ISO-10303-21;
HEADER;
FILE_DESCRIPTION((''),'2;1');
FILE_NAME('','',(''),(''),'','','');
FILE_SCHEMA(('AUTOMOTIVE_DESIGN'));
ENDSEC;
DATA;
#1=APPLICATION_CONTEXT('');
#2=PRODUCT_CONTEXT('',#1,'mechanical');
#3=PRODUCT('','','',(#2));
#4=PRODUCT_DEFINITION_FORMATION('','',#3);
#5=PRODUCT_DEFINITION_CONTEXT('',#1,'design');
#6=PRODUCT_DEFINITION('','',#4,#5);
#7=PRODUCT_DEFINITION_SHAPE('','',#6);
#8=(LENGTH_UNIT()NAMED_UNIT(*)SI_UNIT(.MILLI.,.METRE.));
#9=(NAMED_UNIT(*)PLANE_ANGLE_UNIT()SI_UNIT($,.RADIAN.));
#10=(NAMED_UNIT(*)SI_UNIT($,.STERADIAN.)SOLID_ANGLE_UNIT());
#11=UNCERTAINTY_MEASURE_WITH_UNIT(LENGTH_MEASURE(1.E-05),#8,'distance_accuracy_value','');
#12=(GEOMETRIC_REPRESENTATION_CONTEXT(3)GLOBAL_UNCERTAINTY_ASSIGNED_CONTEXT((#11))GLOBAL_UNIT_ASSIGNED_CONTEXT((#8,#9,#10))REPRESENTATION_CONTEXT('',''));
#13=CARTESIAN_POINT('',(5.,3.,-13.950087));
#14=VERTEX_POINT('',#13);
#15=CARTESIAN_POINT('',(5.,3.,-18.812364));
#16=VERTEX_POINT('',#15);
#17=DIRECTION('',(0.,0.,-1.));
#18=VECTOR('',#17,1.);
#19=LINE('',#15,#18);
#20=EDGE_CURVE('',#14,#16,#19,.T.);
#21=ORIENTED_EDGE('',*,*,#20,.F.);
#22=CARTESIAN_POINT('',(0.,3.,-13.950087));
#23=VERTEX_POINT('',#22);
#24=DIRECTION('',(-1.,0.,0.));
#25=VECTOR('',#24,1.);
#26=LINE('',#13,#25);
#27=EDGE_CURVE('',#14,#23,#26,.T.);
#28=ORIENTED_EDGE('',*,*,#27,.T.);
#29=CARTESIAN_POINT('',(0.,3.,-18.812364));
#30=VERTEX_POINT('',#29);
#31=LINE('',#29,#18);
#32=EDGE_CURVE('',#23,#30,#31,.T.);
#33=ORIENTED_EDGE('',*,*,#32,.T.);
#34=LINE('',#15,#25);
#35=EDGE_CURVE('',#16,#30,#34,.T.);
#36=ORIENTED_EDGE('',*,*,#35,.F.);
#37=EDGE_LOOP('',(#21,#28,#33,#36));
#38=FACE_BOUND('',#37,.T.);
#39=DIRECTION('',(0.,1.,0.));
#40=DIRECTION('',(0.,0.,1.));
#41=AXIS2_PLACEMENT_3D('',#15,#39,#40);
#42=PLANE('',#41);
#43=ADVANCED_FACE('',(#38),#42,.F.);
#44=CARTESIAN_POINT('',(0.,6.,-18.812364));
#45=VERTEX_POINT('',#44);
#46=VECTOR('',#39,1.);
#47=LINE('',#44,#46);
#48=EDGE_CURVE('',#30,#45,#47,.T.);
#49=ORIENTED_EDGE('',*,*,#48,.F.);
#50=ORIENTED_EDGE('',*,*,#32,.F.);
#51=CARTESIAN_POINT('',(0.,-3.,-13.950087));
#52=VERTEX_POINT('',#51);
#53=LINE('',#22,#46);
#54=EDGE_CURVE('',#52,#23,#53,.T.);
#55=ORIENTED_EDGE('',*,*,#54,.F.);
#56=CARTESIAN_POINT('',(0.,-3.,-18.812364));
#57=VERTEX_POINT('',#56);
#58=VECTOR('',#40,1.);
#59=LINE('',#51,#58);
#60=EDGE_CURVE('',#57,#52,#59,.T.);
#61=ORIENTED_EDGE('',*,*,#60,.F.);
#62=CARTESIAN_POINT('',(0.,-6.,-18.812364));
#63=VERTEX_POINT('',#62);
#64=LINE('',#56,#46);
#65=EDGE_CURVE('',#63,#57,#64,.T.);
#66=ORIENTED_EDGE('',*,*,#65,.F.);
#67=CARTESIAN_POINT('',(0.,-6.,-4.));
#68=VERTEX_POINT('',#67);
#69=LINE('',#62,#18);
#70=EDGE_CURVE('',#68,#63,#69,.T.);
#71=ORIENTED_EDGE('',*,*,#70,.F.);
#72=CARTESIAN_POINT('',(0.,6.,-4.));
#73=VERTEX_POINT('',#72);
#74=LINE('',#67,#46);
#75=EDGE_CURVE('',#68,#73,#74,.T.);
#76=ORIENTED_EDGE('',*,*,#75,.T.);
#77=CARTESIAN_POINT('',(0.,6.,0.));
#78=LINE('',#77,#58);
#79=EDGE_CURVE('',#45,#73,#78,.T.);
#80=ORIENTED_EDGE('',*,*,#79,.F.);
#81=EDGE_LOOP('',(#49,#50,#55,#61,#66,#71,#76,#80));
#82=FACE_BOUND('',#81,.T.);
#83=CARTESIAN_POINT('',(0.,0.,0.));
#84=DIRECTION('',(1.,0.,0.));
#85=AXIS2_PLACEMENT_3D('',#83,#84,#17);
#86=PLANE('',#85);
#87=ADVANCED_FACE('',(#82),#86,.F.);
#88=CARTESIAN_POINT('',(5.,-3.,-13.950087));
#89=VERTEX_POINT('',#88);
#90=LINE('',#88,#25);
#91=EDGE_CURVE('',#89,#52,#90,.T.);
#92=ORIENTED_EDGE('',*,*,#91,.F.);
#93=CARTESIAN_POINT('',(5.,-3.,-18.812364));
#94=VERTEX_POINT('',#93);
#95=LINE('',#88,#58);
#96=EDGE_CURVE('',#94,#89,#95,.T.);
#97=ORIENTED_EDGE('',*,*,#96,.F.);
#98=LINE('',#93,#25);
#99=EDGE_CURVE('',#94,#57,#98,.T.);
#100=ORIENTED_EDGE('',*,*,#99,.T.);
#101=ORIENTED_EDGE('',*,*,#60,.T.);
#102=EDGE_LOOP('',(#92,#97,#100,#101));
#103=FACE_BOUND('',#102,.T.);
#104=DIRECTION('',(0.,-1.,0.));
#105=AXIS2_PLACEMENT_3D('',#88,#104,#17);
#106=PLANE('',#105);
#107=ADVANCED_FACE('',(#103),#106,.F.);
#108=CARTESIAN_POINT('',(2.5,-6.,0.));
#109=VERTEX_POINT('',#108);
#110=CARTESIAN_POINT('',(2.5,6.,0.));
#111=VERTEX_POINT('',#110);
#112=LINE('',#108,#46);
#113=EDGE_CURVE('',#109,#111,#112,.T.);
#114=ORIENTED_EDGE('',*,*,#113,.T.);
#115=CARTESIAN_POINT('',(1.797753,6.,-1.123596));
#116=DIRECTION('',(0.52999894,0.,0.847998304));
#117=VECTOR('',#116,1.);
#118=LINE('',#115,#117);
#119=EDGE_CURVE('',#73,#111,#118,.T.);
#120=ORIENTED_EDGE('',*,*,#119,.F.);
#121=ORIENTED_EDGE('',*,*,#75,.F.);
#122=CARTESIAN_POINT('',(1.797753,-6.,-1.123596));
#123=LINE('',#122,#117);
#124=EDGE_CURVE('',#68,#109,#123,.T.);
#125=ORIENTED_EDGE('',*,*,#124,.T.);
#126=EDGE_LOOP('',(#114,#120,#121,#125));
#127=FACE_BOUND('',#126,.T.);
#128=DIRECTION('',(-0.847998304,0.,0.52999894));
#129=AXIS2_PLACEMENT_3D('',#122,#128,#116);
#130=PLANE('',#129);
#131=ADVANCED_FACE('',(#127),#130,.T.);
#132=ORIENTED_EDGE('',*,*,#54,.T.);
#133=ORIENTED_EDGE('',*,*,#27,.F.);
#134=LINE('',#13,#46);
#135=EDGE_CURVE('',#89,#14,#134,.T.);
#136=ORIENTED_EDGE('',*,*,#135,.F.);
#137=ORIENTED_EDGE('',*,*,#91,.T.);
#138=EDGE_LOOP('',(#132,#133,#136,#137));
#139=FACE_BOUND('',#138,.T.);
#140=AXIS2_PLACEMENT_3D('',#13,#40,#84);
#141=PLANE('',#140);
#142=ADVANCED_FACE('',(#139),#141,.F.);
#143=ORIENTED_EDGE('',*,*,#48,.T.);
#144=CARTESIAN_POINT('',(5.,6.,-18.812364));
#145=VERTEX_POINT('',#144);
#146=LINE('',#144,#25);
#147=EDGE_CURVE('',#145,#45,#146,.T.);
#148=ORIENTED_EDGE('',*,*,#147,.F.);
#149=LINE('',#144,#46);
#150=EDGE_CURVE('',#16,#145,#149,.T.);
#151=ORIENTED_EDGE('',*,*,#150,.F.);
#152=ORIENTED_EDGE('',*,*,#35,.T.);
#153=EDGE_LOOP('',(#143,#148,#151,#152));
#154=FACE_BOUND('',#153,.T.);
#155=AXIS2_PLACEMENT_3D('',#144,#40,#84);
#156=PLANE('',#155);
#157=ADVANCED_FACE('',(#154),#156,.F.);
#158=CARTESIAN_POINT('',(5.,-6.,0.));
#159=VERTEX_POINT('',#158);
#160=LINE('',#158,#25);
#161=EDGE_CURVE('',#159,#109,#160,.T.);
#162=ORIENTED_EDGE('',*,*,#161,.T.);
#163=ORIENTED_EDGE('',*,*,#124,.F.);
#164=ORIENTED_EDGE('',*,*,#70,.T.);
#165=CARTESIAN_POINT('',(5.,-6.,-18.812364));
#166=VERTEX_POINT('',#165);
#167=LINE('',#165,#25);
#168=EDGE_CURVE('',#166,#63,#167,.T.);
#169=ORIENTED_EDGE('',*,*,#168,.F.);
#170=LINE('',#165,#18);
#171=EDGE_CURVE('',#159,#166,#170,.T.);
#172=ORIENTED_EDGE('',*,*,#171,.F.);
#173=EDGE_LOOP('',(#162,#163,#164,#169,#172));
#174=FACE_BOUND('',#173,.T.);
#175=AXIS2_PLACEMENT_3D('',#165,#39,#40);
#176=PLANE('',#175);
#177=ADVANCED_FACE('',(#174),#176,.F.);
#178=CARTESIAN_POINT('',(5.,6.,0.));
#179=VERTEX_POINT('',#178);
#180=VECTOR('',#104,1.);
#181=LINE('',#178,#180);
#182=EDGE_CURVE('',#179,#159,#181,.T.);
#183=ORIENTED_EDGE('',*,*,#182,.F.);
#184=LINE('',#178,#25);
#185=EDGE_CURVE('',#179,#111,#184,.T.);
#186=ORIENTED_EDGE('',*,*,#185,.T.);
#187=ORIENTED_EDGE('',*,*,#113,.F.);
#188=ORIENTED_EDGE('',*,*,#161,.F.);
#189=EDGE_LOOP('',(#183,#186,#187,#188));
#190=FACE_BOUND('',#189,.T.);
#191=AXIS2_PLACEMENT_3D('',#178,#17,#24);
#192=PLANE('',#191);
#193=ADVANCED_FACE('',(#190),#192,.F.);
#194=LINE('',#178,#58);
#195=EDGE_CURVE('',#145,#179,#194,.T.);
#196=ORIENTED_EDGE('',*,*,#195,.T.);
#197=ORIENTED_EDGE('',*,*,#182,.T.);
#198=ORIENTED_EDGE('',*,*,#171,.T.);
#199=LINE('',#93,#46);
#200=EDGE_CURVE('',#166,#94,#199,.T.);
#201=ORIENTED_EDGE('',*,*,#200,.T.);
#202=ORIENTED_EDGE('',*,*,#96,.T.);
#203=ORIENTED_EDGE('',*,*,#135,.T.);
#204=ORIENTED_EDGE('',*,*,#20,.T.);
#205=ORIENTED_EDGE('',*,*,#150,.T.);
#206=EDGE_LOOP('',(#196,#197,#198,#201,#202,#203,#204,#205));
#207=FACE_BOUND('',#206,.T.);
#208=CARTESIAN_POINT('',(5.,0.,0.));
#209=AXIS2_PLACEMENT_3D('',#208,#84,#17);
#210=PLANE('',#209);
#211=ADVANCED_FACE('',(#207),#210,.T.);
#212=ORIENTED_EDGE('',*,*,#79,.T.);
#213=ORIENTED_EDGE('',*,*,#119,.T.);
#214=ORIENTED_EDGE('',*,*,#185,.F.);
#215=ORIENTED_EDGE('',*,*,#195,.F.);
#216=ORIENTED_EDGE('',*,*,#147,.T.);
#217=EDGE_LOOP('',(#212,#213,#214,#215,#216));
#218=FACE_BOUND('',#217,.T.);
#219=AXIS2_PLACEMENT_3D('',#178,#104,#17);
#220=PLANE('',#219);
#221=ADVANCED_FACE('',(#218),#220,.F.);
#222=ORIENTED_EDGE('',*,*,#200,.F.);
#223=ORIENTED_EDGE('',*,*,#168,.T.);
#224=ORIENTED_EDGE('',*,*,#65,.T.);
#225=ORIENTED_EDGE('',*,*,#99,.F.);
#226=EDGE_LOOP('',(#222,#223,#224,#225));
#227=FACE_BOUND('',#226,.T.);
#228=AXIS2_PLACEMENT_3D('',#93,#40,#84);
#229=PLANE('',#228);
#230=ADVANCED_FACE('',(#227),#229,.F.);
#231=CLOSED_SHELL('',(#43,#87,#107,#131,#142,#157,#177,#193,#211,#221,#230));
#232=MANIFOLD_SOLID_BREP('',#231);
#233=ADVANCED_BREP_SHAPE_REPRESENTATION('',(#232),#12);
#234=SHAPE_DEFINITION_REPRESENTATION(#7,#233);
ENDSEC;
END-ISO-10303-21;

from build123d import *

# Parameters (mm, degrees)
BOSS_EXTRUDE1_DEPTH = 5
CUT_EXTRUDE1_DEPTH  = 23.867116988


with BuildPart() as part:
    # Sketch1 → Boss-Extrude1 (new body)
    with BuildSketch(Plane(origin=(0, 0, 0), x_dir=(0, 0, -1), z_dir=(1, 0, 0))):
        Polygon((0, 6), (0, -6), (18.812364002, -6), (18.812364002, -3), (13.95008688, -3), (13.95008688, 3), (18.812364002, 3), (18.812364002, 6), align=None)
    extrude(amount=BOSS_EXTRUDE1_DEPTH)

    # Sketch2 → Cut-Extrude1 (cut, through all)
    with BuildSketch(Plane(origin=(0, 6, 0), x_dir=(1, 0, 0), z_dir=(0, 1, 0))):
        Polygon((0, 4), (0, 0), (2.5, 0), align=None)
    extrude(amount=-CUT_EXTRUDE1_DEPTH, mode=Mode.SUBTRACT)


solid = part.part
